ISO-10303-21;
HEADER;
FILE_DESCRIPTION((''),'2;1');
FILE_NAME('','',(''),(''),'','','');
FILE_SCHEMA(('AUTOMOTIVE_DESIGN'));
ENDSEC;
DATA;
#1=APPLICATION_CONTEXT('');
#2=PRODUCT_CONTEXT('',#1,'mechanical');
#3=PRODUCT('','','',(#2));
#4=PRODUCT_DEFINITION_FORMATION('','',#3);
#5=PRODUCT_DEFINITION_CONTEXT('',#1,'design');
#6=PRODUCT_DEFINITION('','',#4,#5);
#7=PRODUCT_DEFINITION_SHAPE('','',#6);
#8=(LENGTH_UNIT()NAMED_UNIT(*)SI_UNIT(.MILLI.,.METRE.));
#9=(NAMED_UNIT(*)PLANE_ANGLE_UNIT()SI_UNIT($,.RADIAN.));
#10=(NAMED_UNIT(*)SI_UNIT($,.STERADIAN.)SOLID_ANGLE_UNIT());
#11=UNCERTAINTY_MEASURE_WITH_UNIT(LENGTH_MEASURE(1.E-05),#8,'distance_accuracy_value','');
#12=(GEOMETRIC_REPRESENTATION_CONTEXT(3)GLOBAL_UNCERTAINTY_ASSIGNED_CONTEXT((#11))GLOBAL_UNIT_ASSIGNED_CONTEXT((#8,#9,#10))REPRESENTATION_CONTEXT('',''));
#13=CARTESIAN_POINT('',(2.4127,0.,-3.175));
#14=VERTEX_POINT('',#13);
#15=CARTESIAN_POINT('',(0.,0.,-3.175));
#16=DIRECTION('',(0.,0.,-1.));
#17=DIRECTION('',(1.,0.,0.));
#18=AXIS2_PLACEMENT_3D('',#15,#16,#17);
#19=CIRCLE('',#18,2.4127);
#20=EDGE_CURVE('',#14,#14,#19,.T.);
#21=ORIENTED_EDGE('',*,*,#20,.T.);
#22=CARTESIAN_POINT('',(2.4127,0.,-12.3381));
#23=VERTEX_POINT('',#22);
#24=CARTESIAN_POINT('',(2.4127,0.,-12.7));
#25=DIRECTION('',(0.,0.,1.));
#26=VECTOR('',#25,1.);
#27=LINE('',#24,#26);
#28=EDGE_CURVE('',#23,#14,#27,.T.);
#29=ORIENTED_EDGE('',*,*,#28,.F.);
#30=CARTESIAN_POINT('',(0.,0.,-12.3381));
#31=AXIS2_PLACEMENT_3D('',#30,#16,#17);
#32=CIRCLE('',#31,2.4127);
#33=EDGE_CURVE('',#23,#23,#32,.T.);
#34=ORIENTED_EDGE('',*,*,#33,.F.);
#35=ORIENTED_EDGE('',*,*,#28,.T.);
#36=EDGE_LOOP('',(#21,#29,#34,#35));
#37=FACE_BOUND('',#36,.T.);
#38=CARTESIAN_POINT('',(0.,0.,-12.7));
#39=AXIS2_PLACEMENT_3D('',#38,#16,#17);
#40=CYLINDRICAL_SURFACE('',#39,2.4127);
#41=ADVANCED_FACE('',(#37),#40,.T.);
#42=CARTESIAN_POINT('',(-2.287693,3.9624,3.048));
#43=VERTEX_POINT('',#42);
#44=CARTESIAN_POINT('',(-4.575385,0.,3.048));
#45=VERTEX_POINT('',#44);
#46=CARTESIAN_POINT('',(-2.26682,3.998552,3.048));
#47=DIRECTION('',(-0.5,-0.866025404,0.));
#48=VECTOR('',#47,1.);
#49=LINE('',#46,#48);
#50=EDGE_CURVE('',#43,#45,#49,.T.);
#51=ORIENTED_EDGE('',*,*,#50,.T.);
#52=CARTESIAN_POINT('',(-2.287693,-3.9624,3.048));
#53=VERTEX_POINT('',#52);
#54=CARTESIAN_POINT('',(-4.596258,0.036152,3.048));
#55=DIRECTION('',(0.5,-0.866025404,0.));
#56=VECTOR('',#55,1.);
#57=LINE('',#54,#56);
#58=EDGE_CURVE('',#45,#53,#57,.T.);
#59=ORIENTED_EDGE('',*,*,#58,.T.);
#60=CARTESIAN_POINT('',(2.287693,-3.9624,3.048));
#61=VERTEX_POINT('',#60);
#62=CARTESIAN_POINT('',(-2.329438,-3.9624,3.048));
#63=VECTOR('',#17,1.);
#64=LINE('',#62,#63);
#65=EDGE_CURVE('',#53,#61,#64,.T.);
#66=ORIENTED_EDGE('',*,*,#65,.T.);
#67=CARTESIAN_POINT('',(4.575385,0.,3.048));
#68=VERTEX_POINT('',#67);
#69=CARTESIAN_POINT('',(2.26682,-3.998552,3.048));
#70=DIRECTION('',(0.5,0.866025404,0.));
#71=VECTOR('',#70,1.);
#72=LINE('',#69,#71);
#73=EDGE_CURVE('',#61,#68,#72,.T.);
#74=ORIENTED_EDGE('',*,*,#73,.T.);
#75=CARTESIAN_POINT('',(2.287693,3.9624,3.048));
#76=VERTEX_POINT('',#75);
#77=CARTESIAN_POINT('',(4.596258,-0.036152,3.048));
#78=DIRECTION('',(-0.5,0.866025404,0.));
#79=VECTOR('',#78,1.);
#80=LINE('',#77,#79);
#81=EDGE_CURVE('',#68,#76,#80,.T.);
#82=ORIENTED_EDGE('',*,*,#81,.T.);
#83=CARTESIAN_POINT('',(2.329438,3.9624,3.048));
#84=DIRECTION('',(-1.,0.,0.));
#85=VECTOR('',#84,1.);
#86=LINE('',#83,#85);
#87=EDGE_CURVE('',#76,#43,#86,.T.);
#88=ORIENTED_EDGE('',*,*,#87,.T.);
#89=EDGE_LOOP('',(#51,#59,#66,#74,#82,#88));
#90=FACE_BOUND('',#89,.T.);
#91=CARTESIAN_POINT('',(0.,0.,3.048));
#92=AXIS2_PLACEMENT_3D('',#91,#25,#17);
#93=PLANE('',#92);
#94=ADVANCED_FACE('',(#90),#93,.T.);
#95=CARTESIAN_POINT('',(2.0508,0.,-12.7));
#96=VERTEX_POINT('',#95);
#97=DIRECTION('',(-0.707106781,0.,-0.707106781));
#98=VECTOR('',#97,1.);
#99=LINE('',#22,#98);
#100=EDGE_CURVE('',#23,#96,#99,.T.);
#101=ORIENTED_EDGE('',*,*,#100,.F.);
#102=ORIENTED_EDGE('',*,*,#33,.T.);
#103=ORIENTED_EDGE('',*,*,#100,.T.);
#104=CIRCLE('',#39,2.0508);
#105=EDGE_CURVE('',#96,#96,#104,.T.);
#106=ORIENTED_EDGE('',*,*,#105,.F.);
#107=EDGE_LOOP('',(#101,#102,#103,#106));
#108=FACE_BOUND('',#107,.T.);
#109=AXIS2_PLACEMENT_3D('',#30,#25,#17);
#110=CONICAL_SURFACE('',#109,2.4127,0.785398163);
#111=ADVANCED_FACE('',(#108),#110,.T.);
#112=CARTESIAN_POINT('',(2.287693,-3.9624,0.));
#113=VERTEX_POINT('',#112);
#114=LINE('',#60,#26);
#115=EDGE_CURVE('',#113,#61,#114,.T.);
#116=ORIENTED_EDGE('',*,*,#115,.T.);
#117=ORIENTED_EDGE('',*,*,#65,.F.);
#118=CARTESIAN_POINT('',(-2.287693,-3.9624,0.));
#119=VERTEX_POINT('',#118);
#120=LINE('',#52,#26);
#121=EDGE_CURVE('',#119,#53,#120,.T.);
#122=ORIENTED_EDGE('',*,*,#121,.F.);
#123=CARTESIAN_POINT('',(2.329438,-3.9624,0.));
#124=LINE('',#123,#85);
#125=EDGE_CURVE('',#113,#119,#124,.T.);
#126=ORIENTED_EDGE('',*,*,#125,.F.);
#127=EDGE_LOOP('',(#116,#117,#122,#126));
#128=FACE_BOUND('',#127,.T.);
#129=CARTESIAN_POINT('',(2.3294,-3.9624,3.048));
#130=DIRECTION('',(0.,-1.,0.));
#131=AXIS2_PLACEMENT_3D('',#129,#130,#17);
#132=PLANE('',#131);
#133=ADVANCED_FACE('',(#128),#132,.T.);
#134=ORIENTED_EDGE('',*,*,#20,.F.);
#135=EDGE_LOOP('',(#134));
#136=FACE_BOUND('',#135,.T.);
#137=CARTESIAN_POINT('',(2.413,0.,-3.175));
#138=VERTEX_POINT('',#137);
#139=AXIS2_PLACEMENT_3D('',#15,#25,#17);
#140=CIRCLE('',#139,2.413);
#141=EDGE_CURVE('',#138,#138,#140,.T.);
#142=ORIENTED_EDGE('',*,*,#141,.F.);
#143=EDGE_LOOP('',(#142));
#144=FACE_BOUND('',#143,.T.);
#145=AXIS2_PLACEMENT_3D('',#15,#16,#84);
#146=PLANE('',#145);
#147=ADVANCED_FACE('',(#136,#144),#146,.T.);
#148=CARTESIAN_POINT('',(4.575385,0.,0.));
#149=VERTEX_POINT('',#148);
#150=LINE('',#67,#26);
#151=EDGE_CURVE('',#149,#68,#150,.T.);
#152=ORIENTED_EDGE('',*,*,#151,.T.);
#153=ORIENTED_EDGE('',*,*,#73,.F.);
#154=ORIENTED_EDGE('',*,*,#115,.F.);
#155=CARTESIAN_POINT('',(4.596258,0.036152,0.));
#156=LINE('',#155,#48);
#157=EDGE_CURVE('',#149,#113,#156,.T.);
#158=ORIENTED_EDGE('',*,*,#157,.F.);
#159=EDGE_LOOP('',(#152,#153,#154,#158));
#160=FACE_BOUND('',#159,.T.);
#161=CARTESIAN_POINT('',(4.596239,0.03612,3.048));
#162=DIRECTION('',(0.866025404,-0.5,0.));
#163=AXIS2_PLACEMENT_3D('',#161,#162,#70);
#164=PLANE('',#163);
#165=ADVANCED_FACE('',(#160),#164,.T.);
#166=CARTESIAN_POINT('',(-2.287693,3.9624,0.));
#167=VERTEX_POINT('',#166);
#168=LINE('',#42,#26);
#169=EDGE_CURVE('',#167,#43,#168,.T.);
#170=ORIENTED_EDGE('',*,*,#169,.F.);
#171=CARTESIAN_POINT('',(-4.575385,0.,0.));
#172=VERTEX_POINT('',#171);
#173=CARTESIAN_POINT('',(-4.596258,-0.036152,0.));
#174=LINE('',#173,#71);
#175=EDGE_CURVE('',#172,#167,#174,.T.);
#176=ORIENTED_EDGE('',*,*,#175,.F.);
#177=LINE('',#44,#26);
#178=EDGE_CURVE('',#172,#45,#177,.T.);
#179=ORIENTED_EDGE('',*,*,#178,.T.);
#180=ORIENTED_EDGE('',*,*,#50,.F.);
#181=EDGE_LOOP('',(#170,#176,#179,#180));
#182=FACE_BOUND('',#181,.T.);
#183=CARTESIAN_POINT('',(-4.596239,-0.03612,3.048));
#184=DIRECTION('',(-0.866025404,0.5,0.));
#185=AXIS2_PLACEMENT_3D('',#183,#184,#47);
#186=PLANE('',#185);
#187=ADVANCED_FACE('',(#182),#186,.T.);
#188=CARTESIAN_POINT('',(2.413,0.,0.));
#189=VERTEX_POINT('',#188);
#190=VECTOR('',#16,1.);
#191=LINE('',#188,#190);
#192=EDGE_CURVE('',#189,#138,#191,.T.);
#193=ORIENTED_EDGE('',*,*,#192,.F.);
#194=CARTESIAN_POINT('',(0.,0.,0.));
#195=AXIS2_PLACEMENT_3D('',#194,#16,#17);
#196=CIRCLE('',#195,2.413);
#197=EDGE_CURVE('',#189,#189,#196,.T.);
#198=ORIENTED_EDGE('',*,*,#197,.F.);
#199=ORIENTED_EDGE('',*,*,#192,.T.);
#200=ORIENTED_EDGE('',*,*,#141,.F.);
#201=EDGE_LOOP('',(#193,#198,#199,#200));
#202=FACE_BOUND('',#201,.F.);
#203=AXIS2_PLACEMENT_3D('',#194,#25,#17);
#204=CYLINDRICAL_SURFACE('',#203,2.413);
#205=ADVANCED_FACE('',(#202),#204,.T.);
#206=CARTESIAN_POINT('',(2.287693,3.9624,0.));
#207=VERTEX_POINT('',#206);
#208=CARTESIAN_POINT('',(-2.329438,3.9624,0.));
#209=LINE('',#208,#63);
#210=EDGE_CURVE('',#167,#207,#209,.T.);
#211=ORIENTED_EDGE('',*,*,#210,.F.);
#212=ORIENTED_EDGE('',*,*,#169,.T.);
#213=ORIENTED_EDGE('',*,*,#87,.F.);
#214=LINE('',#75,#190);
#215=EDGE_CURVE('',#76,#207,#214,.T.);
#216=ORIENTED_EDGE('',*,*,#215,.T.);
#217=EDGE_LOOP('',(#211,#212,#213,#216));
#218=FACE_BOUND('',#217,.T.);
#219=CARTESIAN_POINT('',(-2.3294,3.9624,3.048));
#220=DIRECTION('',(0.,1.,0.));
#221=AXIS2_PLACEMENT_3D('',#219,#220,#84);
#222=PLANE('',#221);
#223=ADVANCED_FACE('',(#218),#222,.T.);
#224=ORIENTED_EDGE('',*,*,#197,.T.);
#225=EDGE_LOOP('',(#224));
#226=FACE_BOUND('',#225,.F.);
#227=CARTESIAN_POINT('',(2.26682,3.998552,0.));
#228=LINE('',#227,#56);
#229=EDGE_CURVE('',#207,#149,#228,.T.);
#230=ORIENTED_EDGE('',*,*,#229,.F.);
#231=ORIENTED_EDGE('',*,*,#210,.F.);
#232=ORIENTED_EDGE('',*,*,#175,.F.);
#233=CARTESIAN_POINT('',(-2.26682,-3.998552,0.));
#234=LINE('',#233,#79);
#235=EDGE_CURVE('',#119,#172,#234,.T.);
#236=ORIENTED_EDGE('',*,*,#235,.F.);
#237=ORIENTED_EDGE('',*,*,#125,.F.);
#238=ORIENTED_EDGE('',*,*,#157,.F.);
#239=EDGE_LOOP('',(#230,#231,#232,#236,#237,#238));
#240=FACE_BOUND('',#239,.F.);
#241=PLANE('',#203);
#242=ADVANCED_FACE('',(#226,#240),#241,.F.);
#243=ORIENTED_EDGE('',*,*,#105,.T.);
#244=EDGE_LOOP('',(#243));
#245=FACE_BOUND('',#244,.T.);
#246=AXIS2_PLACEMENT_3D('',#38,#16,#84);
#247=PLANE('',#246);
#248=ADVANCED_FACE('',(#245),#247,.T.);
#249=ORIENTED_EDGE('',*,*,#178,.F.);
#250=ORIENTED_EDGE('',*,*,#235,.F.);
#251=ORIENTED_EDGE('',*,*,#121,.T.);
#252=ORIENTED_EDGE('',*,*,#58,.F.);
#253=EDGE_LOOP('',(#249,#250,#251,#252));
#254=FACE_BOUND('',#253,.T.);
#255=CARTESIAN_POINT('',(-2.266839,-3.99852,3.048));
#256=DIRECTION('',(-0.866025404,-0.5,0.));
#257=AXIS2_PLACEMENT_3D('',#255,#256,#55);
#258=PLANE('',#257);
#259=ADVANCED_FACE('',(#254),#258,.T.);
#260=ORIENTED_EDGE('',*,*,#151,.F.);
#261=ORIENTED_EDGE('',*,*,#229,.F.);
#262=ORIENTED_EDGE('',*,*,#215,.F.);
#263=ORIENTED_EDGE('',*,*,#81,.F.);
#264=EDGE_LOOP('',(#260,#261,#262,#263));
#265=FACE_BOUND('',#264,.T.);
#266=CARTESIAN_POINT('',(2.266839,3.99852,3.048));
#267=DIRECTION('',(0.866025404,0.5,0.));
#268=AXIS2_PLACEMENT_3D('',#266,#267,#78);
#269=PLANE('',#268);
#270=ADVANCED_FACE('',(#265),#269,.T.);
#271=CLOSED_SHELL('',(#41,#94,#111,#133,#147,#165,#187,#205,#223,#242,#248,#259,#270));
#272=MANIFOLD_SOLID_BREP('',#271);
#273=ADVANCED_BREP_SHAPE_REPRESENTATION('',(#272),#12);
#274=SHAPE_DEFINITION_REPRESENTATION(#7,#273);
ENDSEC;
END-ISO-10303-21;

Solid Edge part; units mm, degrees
sketch "Sketch1" plane through (0, 0, 0) normal (0, 0, 1) x (1, 0, 0)
  circle A0 centre (0, 0) radius 4.5964
  dimension "D1" = 9.1928
extrude "Protrusion1" add sketch "Sketch1" along normal blind 3.048
sketch "Sketch2" plane through (0, 0, 0) normal (0, 0, -1) x (1, 0, 0)
  circle A0 centre (0, 0) radius 2.413
extrude "Protrusion2" add sketch "Sketch2" along normal blind 12.7
sketch "Sketch3" plane through (0, 0, -12.7) normal (0, 0, -1) x (1, 0, 0)
  circle A0 centre (0, 0) radius 2.4127
extrude "Cutout1" cut sketch "Sketch3" against normal blind 9.525 flip side to cut
chamfer "Chamfer_1" distance 0.3619 angle 45 1 edges at (-2.4127, 0, -12.7)
sketch "Sketch4" plane through (0, 0, 3.048) normal (0, 0, 1) x (1, 0, 0)
  line L0 (-2.3294, 3.9624) -> (2.3294, 3.9624)
  dimension "D1" = 7.9248
extrude "Cutout2" cut sketch "Sketch4" against normal up to next material side at (0, 4.0124, 3.048)
pattern_circular "Pattern1" count 6 over 360 about axis through (0, 0, 3.048) along (0, 0, 1) of "Cutout2"
properties part number "118933"
